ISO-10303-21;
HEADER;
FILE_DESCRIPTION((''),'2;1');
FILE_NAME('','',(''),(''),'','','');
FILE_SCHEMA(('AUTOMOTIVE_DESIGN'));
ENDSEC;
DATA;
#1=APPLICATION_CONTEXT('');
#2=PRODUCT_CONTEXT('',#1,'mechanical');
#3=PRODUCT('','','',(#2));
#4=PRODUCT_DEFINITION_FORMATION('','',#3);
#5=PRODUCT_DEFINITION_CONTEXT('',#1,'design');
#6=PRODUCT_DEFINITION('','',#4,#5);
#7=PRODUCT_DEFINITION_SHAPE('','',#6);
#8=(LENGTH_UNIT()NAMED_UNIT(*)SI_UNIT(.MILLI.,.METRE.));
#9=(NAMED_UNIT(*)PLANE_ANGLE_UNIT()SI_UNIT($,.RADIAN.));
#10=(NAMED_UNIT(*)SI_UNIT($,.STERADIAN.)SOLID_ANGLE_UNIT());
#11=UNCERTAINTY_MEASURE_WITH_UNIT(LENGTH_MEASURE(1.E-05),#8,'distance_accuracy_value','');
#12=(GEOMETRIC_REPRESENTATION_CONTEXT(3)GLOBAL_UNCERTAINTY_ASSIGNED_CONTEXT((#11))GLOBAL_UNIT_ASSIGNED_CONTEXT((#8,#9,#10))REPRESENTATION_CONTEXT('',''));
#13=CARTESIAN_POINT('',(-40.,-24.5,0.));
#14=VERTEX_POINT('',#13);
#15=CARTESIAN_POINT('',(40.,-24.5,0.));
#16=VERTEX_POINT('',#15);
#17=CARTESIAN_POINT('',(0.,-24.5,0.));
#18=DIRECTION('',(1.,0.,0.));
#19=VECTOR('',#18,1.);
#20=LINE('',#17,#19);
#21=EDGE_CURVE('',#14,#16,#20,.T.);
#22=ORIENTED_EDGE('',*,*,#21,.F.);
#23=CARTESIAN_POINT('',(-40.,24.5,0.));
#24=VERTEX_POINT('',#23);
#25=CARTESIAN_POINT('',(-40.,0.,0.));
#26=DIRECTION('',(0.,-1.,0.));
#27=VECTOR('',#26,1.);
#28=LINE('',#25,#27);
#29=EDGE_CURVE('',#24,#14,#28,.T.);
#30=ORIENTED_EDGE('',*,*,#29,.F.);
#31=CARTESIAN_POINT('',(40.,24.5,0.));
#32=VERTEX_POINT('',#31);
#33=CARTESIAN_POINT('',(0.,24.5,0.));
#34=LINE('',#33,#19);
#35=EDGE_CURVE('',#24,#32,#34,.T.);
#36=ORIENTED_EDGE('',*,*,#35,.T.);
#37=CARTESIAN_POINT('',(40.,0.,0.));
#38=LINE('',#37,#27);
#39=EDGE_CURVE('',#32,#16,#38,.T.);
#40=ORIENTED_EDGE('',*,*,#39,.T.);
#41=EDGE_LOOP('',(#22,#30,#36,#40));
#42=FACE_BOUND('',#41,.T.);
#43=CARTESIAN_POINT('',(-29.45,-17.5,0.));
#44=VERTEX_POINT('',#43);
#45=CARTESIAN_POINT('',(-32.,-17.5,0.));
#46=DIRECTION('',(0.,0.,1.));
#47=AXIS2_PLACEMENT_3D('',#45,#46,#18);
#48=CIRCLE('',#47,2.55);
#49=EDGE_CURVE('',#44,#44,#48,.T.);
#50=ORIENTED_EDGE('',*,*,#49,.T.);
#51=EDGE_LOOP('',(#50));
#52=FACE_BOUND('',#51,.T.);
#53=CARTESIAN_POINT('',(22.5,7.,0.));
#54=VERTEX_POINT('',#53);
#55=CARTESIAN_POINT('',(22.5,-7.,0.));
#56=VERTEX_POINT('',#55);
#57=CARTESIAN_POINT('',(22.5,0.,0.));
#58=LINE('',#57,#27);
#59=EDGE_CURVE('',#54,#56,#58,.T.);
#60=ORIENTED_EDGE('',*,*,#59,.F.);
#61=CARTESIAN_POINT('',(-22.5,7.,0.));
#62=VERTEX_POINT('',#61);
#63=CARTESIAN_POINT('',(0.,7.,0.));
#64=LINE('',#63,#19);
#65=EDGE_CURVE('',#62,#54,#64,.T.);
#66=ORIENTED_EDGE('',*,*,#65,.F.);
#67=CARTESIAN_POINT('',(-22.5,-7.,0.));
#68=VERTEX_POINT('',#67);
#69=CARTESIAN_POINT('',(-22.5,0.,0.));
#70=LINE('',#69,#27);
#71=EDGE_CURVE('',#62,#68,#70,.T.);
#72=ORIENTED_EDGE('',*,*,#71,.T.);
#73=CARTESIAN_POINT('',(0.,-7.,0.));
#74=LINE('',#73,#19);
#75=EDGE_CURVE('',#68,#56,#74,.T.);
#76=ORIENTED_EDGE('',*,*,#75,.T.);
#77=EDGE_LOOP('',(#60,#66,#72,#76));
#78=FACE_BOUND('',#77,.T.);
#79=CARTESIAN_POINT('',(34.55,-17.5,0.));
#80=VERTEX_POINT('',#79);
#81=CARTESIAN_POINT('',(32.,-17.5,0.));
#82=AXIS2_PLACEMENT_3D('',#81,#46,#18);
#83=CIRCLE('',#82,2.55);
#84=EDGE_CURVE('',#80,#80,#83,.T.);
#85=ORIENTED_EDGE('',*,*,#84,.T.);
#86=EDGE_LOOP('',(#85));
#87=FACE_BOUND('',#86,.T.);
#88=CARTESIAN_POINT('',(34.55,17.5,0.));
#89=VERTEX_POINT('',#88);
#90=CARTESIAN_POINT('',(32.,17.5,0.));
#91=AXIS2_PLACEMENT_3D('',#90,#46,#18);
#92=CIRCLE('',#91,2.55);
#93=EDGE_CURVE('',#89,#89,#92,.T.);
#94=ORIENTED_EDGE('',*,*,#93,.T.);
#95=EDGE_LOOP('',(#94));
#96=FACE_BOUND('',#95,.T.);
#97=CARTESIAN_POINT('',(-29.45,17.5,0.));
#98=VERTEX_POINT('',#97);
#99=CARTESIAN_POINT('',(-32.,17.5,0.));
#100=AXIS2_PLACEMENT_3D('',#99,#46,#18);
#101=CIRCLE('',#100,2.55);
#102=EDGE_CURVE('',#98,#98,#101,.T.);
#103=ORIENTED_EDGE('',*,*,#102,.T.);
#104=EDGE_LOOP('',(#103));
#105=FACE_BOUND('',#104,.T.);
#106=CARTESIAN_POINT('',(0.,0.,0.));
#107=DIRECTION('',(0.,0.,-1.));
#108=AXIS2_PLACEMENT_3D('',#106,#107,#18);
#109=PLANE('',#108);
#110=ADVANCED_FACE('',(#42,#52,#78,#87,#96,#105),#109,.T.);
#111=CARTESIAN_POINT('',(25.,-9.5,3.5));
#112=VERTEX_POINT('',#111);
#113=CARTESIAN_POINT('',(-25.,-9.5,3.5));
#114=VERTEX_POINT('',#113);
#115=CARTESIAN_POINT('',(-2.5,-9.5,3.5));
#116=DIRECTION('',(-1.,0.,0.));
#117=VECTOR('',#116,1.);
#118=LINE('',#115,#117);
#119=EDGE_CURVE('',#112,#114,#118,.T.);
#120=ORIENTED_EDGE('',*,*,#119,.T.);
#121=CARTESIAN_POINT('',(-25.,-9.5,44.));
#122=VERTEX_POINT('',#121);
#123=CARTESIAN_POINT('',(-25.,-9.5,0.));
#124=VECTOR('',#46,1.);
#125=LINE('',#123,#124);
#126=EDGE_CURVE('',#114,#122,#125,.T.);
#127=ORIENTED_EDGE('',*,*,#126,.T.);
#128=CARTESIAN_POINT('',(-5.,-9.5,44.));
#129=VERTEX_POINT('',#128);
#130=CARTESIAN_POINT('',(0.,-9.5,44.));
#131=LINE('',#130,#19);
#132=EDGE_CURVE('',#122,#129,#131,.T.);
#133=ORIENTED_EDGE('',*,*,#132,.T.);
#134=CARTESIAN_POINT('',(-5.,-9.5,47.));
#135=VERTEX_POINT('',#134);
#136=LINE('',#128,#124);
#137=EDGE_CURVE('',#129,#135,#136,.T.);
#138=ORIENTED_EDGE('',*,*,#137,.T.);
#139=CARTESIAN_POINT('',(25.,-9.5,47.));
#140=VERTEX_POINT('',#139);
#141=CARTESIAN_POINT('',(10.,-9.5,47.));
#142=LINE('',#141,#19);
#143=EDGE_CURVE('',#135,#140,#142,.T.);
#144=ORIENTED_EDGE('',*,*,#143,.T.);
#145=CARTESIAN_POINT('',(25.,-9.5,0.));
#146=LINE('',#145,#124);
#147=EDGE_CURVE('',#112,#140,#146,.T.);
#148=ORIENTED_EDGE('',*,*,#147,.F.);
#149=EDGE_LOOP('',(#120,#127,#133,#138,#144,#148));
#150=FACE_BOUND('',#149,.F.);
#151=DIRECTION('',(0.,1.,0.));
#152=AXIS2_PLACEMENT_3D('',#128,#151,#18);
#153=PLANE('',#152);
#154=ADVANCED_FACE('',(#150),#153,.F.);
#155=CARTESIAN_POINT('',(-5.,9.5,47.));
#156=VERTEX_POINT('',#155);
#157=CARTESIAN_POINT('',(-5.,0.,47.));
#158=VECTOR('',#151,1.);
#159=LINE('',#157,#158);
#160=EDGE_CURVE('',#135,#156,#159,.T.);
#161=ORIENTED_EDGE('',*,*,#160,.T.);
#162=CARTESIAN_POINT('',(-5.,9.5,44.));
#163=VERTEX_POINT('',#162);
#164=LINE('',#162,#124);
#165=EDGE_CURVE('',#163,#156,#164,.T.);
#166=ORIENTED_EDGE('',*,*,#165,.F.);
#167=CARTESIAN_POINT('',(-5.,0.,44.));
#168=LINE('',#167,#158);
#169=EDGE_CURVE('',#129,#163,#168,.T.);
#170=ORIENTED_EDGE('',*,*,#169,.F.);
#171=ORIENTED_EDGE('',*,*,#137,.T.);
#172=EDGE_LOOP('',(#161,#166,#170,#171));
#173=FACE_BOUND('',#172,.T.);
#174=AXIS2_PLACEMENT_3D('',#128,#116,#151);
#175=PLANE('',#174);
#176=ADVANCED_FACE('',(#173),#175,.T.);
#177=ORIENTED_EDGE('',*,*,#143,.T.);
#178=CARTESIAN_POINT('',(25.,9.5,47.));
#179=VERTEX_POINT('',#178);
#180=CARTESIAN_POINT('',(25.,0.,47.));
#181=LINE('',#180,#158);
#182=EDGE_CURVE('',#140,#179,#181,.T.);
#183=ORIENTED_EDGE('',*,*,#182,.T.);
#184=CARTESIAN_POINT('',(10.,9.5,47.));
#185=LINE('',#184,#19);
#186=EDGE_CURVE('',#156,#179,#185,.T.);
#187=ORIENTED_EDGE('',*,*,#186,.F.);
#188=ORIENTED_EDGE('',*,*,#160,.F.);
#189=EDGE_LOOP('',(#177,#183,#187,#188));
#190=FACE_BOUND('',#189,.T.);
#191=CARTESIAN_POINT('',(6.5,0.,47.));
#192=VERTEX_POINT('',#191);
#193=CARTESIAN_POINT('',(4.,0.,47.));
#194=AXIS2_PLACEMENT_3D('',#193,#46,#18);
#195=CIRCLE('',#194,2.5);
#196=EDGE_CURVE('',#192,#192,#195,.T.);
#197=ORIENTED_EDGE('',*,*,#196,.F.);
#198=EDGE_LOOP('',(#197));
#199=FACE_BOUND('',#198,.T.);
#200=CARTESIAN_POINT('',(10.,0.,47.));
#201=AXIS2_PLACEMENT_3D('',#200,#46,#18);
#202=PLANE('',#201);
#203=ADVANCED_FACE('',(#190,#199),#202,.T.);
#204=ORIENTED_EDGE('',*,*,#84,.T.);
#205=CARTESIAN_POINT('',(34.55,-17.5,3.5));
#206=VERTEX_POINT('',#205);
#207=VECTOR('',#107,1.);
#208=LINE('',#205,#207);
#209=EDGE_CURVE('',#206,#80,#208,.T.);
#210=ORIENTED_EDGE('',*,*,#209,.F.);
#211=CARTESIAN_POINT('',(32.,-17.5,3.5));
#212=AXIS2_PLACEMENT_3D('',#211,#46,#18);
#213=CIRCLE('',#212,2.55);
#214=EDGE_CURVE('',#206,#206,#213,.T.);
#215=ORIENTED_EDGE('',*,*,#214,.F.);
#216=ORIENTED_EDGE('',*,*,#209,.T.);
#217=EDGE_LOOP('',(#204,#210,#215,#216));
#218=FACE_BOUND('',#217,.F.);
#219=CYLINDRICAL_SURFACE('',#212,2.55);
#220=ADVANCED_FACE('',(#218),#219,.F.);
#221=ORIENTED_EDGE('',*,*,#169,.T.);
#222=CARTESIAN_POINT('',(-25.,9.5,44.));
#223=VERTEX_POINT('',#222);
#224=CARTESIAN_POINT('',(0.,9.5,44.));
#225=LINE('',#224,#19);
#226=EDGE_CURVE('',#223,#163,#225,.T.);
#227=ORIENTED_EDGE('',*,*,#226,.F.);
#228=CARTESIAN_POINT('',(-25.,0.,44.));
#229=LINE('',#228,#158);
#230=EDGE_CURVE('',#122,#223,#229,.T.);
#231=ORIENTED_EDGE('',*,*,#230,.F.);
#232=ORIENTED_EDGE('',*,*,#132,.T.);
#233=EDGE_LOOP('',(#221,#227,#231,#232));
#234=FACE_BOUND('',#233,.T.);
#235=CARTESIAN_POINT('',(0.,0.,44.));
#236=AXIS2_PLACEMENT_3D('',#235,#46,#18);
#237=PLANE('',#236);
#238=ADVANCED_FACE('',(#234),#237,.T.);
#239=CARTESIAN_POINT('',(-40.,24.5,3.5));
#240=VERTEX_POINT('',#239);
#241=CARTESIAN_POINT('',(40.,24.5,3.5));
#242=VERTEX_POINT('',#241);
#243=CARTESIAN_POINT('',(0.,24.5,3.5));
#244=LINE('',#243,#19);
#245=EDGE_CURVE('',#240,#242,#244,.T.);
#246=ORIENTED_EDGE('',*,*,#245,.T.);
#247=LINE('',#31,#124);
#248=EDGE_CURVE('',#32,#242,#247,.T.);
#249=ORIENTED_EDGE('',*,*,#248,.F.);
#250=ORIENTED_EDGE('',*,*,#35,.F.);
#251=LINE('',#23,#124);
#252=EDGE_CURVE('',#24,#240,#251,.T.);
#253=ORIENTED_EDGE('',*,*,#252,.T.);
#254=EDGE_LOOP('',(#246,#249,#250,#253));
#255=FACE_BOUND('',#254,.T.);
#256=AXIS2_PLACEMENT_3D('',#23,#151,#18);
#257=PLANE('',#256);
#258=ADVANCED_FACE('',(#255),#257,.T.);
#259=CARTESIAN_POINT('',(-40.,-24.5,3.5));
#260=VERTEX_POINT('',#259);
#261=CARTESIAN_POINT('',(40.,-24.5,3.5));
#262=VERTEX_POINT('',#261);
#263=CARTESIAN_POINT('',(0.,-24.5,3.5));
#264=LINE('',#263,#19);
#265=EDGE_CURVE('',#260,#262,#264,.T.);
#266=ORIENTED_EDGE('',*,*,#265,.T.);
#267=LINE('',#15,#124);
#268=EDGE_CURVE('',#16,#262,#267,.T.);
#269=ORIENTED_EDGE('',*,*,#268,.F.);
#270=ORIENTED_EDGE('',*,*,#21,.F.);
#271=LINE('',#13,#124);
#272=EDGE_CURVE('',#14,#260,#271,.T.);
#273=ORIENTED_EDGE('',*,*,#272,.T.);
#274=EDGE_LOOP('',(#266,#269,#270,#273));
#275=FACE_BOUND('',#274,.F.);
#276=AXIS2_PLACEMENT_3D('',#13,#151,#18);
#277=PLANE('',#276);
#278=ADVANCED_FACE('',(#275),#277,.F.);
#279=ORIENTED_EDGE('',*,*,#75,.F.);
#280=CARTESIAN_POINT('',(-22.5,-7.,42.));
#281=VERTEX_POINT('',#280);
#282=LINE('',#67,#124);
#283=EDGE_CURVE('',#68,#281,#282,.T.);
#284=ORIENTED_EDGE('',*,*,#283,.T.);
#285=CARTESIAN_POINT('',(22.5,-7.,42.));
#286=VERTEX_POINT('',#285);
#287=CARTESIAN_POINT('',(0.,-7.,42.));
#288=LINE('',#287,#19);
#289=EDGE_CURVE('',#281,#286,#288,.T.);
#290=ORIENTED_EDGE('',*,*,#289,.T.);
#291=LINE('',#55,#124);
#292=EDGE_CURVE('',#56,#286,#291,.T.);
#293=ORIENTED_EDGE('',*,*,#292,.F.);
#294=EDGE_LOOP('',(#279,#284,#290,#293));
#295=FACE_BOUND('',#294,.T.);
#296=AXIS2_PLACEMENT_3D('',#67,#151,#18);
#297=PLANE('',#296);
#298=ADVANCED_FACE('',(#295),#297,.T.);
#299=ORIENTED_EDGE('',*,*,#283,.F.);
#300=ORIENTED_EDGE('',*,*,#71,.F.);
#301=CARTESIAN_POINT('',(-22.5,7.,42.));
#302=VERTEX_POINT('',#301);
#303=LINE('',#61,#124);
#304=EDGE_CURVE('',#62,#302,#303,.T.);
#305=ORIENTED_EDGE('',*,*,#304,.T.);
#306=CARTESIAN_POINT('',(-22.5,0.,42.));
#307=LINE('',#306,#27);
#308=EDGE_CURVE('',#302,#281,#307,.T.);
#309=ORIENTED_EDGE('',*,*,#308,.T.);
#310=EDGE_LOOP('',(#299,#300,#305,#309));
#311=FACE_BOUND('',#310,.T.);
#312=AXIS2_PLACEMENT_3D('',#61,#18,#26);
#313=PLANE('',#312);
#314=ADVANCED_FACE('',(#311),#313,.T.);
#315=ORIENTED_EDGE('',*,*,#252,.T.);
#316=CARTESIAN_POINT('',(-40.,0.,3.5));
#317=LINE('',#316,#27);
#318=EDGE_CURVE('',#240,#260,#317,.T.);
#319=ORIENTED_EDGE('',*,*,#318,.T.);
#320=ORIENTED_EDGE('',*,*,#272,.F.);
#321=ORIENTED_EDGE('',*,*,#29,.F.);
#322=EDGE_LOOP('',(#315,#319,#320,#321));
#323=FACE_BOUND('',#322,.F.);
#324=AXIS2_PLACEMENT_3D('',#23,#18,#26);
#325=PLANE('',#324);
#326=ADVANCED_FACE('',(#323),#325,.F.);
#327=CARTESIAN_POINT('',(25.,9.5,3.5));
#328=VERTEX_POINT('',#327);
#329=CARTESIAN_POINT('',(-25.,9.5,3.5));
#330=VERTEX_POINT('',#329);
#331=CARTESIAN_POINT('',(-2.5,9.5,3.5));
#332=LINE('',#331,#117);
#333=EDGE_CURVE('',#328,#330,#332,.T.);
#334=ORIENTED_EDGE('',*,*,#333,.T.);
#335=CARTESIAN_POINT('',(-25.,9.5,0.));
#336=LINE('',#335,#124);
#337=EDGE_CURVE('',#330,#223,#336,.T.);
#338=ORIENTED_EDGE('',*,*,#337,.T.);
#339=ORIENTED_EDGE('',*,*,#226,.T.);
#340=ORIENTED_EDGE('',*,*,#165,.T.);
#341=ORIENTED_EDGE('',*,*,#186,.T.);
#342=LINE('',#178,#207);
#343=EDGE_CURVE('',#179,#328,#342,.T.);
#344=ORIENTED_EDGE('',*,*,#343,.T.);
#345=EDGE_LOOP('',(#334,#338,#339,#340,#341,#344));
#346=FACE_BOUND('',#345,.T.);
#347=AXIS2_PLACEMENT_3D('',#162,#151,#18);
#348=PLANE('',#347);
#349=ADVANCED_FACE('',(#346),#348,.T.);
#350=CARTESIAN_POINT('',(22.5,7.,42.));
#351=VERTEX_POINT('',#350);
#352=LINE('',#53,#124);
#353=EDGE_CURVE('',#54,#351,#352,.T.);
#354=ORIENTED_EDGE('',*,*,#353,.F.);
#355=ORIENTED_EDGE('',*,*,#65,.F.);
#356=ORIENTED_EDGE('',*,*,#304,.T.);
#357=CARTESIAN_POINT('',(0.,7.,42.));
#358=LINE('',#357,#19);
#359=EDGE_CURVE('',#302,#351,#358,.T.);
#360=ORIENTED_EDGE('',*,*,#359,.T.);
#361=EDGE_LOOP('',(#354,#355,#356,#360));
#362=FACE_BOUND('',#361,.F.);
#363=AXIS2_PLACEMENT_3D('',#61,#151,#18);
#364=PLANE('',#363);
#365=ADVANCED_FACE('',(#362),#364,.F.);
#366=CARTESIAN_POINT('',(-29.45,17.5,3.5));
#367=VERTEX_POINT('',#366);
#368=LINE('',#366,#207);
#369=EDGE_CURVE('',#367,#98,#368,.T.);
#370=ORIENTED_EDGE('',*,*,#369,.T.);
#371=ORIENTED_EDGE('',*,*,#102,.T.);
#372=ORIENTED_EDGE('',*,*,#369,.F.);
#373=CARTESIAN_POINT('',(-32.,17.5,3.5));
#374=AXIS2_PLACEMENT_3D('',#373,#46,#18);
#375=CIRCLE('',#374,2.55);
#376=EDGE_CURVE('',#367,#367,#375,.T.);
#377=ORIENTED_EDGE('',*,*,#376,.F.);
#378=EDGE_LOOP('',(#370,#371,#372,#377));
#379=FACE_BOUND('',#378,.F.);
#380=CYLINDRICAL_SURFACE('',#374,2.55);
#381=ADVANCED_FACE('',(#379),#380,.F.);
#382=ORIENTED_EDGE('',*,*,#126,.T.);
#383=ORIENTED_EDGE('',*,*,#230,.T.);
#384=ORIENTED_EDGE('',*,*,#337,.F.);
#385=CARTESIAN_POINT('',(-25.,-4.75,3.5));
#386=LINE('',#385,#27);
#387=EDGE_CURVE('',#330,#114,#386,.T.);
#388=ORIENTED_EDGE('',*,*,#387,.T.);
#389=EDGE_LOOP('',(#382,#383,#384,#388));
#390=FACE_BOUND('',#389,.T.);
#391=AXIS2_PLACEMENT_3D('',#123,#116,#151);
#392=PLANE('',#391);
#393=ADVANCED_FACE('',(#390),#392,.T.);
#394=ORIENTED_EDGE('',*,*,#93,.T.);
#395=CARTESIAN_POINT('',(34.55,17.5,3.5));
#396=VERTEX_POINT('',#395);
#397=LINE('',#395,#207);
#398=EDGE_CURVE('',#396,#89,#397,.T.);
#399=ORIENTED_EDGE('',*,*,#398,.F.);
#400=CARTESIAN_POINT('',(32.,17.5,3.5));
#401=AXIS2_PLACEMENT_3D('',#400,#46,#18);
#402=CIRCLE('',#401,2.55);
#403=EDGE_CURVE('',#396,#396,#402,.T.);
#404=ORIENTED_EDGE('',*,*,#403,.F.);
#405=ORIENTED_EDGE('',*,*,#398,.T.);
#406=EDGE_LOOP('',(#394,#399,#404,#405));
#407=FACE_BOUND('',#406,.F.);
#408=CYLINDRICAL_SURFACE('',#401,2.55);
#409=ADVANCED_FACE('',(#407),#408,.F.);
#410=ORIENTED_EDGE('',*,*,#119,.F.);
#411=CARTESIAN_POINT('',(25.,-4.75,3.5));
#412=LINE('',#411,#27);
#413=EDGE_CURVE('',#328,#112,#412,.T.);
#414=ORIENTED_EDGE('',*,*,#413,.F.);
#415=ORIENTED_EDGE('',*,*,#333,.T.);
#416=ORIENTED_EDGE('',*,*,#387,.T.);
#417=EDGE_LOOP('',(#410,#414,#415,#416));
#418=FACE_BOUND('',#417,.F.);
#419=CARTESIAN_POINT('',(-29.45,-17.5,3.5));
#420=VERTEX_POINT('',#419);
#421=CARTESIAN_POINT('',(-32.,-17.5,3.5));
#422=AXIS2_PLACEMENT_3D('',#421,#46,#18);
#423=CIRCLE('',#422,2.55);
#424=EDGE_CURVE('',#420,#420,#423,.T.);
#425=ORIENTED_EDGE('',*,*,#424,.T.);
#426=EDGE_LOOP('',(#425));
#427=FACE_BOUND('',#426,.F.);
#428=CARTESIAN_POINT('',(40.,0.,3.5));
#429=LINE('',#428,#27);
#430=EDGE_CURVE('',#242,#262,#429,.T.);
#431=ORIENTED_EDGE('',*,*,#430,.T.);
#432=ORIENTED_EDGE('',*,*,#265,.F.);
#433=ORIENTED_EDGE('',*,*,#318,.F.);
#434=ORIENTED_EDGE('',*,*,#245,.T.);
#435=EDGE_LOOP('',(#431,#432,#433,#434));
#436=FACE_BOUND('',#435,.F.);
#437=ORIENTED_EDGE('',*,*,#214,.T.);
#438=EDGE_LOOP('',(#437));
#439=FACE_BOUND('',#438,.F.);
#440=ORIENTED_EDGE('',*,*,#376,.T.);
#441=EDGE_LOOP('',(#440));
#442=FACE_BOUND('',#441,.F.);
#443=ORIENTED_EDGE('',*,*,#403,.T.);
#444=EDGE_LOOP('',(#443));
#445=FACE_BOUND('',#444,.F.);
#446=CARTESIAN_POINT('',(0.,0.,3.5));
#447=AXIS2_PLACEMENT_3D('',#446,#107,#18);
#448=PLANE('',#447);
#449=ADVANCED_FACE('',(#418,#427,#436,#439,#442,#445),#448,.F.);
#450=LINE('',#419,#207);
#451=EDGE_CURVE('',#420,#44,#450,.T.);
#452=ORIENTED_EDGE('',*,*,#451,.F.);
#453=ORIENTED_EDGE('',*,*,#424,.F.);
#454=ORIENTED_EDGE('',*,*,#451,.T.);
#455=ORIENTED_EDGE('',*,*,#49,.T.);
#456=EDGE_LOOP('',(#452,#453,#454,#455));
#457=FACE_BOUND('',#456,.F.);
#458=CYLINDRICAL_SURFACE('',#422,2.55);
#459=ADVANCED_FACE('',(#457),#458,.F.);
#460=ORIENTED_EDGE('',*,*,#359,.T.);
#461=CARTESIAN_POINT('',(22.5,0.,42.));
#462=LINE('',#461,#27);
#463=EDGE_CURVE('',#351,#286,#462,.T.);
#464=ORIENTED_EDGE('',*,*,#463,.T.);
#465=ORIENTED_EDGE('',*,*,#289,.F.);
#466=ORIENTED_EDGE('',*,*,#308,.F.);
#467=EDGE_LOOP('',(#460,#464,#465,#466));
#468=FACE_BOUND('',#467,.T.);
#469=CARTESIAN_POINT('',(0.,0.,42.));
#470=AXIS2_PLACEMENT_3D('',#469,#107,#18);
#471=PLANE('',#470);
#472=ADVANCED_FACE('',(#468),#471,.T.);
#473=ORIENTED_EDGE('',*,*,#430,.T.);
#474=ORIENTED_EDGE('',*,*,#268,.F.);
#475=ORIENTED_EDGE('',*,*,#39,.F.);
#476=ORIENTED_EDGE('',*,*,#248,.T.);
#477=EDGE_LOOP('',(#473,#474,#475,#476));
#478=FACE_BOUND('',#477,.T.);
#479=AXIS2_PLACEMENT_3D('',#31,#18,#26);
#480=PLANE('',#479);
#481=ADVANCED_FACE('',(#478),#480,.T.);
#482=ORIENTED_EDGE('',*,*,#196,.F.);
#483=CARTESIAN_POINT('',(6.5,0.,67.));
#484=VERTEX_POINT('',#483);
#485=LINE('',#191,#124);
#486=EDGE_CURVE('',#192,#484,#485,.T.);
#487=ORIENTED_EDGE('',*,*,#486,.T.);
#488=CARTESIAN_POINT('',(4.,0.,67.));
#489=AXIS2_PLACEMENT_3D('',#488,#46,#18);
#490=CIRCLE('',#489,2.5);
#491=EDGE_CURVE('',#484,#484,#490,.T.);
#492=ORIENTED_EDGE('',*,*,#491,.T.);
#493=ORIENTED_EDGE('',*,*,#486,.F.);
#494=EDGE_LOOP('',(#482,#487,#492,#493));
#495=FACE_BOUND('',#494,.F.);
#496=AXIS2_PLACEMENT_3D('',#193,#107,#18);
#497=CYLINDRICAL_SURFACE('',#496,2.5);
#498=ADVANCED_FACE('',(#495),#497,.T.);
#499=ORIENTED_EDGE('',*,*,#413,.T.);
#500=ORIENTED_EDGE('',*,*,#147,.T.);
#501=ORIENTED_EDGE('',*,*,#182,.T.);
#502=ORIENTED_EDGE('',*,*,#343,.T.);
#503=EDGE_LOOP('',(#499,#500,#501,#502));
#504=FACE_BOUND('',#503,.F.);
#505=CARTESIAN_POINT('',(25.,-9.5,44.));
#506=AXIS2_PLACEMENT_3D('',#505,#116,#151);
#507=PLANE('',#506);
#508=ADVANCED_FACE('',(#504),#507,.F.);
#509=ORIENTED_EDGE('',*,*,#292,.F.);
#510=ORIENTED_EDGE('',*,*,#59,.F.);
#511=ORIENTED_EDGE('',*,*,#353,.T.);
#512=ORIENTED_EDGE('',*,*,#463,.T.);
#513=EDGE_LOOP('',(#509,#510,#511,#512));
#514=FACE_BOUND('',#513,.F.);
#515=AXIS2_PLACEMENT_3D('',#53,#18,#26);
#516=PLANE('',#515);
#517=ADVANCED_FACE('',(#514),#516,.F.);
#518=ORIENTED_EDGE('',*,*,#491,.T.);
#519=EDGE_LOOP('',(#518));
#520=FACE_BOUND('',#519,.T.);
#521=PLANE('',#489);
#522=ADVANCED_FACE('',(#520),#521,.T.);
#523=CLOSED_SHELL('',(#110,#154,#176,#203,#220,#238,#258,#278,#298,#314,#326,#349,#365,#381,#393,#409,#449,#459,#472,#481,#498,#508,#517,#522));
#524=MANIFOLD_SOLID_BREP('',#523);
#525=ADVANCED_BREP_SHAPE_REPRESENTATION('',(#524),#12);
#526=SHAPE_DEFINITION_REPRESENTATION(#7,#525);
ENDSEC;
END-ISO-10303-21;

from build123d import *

# Parameters (mm, degrees)
F0_W      = 50
F0_H      = 19
F1_DEPTH  = 44
F2_W      = 30
F2_H      = 19
F3_DEPTH  = 3
F4_R      = 2.5
F5_DEPTH  = 20
F6_W      = 80
F6_H      = 49
F7_DEPTH  = 3.5
F8_R      = 2.55
F9_DEPTH  = 3.5
F10_W     = 45
F10_H     = 14
F11_DEPTH = 42


with BuildPart() as f1:
    # F0 (on Top) → F1 (new body)
    with BuildSketch(Plane.XY):
        Rectangle(F0_W, F0_H)
    extrude(amount=F1_DEPTH)

    # F2 (on face) → F3 (join)
    with BuildSketch(Plane.XY.offset(44)):
        with Locations((10, 0)):
            Rectangle(F2_W, F2_H)
    extrude(amount=F3_DEPTH)

    # F4 (on face) → F5 (join)
    with BuildSketch(Plane.XY.offset(47)):
        with Locations((4, 0)):
            Circle(F4_R)
    extrude(amount=F5_DEPTH)

    # F6 (on face) → F7 (join)
    with BuildSketch(Plane(origin=(0, 0, 0), x_dir=(1, 0, 0), z_dir=(0, 0, -1))):
        Rectangle(F6_W, F6_H)
    extrude(amount=-F7_DEPTH)

    # F8 (on face) → F9 (cut, through all)
    with BuildSketch(Plane.XY.offset(3.5)):
        with Locations((-32, 17.5)):
            Circle(F8_R)
        with Locations((32, 17.5)):
            Circle(F8_R)
        with Locations((-32, -17.5)):
            Circle(F8_R)
        with Locations((32, -17.5)):
            Circle(F8_R)
    extrude(amount=-F9_DEPTH, mode=Mode.SUBTRACT)

    # F10 (on face) → F11 (cut)
    with BuildSketch(Plane(origin=(0, 0, 0), x_dir=(1, 0, 0), z_dir=(0, 0, -1))):
        Rectangle(F10_W, F10_H)
    extrude(amount=-F11_DEPTH, mode=Mode.SUBTRACT)


solid = f1.part
